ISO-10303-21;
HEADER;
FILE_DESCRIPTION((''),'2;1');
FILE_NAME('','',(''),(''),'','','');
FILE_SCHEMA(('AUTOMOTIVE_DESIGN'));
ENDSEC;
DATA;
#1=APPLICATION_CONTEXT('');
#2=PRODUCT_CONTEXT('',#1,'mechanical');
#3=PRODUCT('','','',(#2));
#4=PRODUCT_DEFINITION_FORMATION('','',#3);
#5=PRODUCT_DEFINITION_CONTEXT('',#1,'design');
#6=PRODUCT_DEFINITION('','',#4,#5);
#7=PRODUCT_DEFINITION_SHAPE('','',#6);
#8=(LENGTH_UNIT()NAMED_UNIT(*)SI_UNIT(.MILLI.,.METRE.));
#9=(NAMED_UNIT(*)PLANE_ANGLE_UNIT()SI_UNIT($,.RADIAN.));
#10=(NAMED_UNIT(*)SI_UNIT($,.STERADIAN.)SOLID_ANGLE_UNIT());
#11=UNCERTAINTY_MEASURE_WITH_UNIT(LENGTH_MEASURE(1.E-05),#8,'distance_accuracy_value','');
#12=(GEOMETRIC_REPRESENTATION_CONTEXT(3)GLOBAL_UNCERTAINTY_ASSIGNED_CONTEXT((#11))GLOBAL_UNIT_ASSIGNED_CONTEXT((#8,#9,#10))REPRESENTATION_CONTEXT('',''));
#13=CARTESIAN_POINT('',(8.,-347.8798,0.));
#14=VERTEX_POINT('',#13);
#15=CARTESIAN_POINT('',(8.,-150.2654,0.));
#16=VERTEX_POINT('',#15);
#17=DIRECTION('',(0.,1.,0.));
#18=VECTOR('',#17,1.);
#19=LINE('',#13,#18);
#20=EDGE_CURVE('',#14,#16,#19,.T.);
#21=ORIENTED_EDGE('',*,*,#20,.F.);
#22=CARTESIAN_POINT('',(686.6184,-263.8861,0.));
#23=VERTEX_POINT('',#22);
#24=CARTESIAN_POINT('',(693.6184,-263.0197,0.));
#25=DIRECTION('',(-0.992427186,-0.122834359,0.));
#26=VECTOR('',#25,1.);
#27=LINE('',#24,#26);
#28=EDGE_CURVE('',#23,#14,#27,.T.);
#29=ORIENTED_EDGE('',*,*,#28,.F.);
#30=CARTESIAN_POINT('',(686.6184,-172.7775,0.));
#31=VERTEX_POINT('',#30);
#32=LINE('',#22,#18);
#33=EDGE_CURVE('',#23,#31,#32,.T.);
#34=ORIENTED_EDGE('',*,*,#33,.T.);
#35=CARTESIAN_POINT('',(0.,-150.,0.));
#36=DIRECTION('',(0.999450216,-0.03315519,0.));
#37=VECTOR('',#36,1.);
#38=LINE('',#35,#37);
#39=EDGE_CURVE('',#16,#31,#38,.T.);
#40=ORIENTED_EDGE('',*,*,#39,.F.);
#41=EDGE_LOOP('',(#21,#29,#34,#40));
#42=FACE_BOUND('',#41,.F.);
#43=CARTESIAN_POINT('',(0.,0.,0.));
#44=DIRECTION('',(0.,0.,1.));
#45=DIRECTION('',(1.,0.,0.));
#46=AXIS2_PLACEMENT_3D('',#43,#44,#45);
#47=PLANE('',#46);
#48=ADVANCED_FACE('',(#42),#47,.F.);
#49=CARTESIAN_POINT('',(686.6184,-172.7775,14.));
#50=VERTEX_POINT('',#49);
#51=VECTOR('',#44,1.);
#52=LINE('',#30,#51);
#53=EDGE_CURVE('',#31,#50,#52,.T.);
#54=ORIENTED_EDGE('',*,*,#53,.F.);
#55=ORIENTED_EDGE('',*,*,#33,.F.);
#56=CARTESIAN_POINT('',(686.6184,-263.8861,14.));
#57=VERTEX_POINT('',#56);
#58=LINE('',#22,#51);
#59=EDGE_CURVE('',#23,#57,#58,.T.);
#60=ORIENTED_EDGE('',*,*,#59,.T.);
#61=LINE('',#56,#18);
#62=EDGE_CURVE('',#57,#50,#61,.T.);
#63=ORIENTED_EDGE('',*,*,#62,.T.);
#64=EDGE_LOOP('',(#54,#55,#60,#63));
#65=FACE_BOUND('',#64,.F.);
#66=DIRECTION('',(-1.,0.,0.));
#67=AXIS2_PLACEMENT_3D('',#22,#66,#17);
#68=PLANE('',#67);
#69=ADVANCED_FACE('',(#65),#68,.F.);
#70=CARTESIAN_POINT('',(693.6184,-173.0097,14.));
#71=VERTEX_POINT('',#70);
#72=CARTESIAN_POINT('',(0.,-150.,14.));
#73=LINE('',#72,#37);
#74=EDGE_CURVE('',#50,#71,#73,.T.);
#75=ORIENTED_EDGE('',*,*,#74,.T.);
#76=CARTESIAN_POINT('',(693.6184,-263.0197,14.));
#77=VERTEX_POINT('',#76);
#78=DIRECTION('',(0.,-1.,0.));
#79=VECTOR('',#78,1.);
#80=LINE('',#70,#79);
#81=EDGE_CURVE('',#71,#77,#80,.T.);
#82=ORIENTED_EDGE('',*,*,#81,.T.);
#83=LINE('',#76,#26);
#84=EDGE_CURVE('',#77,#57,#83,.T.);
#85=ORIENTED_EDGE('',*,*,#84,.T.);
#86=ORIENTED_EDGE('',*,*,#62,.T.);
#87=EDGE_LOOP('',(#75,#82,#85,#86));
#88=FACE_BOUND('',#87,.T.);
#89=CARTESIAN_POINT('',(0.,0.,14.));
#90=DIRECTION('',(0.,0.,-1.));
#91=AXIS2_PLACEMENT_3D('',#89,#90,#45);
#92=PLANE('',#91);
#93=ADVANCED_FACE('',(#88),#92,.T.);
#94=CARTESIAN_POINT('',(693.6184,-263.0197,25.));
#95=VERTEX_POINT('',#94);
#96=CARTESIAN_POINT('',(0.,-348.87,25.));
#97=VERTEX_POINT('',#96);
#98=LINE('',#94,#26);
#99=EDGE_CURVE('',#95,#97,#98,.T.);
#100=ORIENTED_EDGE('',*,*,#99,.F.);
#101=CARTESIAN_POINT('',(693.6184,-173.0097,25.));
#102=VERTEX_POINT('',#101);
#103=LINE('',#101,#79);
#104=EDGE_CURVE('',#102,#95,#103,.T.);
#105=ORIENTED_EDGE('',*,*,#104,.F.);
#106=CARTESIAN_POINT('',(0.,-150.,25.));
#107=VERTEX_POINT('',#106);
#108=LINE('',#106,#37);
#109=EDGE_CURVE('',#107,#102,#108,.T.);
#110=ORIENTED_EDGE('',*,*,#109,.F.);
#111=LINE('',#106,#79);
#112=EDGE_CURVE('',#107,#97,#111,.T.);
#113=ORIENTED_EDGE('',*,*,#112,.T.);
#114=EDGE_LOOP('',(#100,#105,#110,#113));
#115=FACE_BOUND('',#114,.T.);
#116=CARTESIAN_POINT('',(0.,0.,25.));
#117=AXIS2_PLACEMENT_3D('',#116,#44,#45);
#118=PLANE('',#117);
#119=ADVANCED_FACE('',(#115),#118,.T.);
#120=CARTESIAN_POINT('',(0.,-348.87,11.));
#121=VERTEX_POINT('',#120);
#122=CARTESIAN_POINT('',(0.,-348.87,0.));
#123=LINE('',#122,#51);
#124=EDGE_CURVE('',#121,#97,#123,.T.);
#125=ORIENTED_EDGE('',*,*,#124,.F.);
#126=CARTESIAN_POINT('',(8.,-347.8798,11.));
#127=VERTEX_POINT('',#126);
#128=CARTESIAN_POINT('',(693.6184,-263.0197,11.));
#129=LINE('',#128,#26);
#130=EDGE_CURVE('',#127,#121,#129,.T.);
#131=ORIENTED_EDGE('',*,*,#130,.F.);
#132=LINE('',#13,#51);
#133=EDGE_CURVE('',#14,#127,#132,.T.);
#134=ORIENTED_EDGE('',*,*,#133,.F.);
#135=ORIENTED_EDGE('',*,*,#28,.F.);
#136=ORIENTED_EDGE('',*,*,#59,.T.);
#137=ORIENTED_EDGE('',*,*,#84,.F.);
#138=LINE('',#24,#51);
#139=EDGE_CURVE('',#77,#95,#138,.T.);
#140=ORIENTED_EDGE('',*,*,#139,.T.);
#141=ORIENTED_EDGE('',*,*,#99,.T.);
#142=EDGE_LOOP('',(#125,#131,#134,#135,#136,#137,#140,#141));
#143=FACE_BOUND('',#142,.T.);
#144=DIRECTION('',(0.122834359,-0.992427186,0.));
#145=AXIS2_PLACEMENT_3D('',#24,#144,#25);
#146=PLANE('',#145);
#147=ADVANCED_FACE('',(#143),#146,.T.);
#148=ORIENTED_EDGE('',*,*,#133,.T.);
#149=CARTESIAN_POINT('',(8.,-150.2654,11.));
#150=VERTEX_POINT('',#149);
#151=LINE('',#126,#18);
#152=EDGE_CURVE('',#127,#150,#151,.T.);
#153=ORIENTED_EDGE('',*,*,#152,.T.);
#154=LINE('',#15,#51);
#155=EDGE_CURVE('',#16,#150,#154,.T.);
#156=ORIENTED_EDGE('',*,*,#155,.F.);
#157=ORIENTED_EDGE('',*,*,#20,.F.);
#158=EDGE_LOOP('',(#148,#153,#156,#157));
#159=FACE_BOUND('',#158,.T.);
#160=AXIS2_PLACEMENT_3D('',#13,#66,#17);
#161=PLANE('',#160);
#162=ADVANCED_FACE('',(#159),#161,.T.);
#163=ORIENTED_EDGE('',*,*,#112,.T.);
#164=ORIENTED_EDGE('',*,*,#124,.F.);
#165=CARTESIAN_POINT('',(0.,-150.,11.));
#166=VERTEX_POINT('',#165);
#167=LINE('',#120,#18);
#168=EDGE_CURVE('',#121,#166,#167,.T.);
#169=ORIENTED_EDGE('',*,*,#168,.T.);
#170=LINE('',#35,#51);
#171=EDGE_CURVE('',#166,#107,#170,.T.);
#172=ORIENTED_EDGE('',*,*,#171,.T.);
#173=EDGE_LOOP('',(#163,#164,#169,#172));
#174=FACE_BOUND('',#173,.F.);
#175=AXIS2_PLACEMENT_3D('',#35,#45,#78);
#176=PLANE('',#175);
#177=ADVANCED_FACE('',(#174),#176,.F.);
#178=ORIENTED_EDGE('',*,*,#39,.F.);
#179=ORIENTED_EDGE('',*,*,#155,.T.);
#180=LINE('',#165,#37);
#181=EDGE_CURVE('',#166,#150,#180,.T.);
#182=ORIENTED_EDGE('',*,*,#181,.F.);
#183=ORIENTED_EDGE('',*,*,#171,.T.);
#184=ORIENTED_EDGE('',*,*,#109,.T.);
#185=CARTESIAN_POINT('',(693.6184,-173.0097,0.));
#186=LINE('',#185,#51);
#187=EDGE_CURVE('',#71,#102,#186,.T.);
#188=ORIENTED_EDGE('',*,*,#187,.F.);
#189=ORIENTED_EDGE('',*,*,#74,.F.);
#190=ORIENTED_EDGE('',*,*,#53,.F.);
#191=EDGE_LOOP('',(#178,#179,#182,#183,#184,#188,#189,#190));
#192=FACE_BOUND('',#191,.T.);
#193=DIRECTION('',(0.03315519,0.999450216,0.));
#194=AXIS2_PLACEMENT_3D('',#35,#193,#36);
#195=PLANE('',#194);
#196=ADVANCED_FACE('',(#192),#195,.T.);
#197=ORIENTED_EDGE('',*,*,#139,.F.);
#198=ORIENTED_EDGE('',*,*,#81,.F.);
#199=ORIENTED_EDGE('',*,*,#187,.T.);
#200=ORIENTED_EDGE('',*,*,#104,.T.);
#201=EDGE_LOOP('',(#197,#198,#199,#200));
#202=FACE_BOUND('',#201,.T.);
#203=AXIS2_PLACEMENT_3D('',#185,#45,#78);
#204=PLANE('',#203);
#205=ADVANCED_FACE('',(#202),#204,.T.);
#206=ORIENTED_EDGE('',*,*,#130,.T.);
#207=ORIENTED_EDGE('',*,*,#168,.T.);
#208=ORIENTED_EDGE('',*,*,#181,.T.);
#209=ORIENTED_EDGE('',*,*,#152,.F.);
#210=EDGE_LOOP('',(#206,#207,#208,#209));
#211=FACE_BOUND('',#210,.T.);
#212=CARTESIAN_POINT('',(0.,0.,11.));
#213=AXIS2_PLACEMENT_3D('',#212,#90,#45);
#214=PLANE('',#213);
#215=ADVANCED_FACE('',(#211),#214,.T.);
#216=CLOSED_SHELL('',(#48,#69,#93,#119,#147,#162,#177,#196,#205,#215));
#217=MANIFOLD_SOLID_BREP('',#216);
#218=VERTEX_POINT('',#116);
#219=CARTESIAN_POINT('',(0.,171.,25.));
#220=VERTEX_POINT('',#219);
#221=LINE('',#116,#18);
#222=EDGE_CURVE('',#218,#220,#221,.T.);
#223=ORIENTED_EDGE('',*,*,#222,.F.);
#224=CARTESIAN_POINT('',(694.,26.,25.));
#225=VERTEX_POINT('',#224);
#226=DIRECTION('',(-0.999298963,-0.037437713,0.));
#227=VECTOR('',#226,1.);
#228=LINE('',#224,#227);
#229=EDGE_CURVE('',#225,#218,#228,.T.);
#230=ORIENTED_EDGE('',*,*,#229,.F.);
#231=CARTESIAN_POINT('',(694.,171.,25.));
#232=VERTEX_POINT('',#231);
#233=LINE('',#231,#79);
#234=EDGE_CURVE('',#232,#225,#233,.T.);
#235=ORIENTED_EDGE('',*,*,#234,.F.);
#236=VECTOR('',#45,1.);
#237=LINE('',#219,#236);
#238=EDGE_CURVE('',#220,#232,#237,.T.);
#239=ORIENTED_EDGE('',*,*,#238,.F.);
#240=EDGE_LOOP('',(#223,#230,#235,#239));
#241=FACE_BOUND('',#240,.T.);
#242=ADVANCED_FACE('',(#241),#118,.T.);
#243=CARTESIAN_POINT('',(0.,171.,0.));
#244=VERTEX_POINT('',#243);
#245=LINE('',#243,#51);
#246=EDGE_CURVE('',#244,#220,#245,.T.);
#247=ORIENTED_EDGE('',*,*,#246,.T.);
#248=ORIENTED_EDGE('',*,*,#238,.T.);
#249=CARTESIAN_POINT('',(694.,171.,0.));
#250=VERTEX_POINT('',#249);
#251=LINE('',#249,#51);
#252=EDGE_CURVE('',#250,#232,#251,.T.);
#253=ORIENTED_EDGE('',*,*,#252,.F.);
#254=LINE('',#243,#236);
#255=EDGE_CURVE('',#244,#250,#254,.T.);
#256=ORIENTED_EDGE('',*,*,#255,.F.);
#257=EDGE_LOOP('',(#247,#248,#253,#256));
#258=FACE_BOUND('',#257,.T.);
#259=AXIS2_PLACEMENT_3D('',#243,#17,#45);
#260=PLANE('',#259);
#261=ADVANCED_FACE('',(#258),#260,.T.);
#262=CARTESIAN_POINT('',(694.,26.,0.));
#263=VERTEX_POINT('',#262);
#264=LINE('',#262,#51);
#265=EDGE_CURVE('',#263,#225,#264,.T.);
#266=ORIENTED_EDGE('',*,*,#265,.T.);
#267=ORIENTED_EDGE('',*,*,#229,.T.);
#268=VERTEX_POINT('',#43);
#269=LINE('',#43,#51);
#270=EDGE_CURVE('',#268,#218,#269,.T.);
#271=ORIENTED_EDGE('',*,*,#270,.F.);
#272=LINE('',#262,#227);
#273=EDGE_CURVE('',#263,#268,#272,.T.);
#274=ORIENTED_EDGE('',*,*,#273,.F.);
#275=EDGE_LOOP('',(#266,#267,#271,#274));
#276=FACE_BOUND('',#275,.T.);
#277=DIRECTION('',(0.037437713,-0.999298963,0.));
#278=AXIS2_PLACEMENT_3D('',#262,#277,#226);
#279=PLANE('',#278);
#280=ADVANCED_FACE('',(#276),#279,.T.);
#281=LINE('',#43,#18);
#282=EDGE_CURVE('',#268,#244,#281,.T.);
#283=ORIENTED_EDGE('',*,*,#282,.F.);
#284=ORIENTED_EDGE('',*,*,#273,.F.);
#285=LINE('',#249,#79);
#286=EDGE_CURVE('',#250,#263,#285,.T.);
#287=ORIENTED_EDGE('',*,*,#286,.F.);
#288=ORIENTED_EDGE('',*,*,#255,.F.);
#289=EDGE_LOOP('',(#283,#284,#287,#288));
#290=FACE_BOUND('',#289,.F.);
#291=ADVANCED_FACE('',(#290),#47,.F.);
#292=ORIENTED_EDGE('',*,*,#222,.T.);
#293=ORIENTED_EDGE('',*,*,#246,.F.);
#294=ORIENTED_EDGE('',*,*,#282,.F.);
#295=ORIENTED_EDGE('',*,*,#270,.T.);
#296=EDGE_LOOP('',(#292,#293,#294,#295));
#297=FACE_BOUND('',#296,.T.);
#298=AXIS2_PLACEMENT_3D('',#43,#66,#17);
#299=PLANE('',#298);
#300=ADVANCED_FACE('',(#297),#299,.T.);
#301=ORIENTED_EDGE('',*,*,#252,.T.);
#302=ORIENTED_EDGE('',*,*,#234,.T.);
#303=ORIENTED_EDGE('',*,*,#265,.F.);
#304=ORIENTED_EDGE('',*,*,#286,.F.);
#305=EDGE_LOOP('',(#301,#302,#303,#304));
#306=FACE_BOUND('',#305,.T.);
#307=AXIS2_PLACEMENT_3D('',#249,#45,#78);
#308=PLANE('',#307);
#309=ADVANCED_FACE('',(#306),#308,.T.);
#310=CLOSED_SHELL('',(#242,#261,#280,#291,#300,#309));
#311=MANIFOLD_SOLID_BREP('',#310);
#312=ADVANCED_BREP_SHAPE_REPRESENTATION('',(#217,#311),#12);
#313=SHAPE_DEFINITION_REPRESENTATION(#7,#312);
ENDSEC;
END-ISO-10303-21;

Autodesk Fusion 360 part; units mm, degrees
sketch "Skizze1" plane through (0, 0, 0) normal (0, 0, 1) x (1, 0, 0)
  line L0 (0, 0) -> (0, 171)
  line L1 (0, 171) -> (694, 171)
  line L2 (694, 171) -> (694, 26)
  line L3 (694, 26) -> (0, 0)
  line L4 (0, -150) -> (0, -348.87)
  line L5 (0, -150) -> (693.6184, -173.0097)
  line L6 (693.6184, -173.0097) -> (693.6184, -263.0197)
  line L7 (693.6184, -263.0197) -> (0, -348.87)
  dimension "d1" = 171
  dimension "d2" = 145
  dimension "d3" = 694
  dimension "d4" = 198.87
  dimension "d5" = 694
  dimension "d6" = 88.1
  dimension "d7" = 90.01
  dimension "d8" = 91.9
  dimension "d9" = 150
extrude "Extrusion1" add sketch "Skizze1" along normal blind 25 makes body 1 at (231.2061, -253.9632, 0) makes body 2 at (231.3333, 65.6667, 0)
copy_body "Körper->Berechn1" bodies 1 removing the originals makes body 3 in component "Boden"
copy_body "Körper->Berechn2" bodies 2 removing the originals makes body 4 in component "Innenwand"
sketch "Skizze1 (2)" plane through (0, 0, 0) normal (0, 0, -1) x (1, 0, 0) in component "Boden"
  line L0 (0, 348.87) -> (0, 150)
  line L1 (0, 150) -> (693.6184, 173.0097)
  line L2 (693.6184, 173.0097) -> (693.6184, 263.0197)
  line L3 (693.6184, 263.0197) -> (0, 348.87)
  line L4 (8, 347.8798) -> (8, 150.2654)
  line L5 (686.6184, 263.8861) -> (686.6184, 172.7775)
  dimension "d12" = 8
  dimension "d13" = 7
extrude "Extrusion1'" cut sketch "Skizze1 (2)" against normal blind 14 contours L1 L2 L3 L5 bodies 3 in component "Boden"
extrude "Extrusion2" cut sketch "Skizze1 (2)" against normal blind 11 contours L0 L1 L3 L4 bodies 3 in component "Boden"
component "Boden" placed x (1, 0, 0) y (0, 1, 0) z (0, 0, 1) at (0, 0, 0)
component "Innenwand" placed x (1, 0, 0) y (0, 1, 0) z (0, 0, 1) at (0, 0, 0)
